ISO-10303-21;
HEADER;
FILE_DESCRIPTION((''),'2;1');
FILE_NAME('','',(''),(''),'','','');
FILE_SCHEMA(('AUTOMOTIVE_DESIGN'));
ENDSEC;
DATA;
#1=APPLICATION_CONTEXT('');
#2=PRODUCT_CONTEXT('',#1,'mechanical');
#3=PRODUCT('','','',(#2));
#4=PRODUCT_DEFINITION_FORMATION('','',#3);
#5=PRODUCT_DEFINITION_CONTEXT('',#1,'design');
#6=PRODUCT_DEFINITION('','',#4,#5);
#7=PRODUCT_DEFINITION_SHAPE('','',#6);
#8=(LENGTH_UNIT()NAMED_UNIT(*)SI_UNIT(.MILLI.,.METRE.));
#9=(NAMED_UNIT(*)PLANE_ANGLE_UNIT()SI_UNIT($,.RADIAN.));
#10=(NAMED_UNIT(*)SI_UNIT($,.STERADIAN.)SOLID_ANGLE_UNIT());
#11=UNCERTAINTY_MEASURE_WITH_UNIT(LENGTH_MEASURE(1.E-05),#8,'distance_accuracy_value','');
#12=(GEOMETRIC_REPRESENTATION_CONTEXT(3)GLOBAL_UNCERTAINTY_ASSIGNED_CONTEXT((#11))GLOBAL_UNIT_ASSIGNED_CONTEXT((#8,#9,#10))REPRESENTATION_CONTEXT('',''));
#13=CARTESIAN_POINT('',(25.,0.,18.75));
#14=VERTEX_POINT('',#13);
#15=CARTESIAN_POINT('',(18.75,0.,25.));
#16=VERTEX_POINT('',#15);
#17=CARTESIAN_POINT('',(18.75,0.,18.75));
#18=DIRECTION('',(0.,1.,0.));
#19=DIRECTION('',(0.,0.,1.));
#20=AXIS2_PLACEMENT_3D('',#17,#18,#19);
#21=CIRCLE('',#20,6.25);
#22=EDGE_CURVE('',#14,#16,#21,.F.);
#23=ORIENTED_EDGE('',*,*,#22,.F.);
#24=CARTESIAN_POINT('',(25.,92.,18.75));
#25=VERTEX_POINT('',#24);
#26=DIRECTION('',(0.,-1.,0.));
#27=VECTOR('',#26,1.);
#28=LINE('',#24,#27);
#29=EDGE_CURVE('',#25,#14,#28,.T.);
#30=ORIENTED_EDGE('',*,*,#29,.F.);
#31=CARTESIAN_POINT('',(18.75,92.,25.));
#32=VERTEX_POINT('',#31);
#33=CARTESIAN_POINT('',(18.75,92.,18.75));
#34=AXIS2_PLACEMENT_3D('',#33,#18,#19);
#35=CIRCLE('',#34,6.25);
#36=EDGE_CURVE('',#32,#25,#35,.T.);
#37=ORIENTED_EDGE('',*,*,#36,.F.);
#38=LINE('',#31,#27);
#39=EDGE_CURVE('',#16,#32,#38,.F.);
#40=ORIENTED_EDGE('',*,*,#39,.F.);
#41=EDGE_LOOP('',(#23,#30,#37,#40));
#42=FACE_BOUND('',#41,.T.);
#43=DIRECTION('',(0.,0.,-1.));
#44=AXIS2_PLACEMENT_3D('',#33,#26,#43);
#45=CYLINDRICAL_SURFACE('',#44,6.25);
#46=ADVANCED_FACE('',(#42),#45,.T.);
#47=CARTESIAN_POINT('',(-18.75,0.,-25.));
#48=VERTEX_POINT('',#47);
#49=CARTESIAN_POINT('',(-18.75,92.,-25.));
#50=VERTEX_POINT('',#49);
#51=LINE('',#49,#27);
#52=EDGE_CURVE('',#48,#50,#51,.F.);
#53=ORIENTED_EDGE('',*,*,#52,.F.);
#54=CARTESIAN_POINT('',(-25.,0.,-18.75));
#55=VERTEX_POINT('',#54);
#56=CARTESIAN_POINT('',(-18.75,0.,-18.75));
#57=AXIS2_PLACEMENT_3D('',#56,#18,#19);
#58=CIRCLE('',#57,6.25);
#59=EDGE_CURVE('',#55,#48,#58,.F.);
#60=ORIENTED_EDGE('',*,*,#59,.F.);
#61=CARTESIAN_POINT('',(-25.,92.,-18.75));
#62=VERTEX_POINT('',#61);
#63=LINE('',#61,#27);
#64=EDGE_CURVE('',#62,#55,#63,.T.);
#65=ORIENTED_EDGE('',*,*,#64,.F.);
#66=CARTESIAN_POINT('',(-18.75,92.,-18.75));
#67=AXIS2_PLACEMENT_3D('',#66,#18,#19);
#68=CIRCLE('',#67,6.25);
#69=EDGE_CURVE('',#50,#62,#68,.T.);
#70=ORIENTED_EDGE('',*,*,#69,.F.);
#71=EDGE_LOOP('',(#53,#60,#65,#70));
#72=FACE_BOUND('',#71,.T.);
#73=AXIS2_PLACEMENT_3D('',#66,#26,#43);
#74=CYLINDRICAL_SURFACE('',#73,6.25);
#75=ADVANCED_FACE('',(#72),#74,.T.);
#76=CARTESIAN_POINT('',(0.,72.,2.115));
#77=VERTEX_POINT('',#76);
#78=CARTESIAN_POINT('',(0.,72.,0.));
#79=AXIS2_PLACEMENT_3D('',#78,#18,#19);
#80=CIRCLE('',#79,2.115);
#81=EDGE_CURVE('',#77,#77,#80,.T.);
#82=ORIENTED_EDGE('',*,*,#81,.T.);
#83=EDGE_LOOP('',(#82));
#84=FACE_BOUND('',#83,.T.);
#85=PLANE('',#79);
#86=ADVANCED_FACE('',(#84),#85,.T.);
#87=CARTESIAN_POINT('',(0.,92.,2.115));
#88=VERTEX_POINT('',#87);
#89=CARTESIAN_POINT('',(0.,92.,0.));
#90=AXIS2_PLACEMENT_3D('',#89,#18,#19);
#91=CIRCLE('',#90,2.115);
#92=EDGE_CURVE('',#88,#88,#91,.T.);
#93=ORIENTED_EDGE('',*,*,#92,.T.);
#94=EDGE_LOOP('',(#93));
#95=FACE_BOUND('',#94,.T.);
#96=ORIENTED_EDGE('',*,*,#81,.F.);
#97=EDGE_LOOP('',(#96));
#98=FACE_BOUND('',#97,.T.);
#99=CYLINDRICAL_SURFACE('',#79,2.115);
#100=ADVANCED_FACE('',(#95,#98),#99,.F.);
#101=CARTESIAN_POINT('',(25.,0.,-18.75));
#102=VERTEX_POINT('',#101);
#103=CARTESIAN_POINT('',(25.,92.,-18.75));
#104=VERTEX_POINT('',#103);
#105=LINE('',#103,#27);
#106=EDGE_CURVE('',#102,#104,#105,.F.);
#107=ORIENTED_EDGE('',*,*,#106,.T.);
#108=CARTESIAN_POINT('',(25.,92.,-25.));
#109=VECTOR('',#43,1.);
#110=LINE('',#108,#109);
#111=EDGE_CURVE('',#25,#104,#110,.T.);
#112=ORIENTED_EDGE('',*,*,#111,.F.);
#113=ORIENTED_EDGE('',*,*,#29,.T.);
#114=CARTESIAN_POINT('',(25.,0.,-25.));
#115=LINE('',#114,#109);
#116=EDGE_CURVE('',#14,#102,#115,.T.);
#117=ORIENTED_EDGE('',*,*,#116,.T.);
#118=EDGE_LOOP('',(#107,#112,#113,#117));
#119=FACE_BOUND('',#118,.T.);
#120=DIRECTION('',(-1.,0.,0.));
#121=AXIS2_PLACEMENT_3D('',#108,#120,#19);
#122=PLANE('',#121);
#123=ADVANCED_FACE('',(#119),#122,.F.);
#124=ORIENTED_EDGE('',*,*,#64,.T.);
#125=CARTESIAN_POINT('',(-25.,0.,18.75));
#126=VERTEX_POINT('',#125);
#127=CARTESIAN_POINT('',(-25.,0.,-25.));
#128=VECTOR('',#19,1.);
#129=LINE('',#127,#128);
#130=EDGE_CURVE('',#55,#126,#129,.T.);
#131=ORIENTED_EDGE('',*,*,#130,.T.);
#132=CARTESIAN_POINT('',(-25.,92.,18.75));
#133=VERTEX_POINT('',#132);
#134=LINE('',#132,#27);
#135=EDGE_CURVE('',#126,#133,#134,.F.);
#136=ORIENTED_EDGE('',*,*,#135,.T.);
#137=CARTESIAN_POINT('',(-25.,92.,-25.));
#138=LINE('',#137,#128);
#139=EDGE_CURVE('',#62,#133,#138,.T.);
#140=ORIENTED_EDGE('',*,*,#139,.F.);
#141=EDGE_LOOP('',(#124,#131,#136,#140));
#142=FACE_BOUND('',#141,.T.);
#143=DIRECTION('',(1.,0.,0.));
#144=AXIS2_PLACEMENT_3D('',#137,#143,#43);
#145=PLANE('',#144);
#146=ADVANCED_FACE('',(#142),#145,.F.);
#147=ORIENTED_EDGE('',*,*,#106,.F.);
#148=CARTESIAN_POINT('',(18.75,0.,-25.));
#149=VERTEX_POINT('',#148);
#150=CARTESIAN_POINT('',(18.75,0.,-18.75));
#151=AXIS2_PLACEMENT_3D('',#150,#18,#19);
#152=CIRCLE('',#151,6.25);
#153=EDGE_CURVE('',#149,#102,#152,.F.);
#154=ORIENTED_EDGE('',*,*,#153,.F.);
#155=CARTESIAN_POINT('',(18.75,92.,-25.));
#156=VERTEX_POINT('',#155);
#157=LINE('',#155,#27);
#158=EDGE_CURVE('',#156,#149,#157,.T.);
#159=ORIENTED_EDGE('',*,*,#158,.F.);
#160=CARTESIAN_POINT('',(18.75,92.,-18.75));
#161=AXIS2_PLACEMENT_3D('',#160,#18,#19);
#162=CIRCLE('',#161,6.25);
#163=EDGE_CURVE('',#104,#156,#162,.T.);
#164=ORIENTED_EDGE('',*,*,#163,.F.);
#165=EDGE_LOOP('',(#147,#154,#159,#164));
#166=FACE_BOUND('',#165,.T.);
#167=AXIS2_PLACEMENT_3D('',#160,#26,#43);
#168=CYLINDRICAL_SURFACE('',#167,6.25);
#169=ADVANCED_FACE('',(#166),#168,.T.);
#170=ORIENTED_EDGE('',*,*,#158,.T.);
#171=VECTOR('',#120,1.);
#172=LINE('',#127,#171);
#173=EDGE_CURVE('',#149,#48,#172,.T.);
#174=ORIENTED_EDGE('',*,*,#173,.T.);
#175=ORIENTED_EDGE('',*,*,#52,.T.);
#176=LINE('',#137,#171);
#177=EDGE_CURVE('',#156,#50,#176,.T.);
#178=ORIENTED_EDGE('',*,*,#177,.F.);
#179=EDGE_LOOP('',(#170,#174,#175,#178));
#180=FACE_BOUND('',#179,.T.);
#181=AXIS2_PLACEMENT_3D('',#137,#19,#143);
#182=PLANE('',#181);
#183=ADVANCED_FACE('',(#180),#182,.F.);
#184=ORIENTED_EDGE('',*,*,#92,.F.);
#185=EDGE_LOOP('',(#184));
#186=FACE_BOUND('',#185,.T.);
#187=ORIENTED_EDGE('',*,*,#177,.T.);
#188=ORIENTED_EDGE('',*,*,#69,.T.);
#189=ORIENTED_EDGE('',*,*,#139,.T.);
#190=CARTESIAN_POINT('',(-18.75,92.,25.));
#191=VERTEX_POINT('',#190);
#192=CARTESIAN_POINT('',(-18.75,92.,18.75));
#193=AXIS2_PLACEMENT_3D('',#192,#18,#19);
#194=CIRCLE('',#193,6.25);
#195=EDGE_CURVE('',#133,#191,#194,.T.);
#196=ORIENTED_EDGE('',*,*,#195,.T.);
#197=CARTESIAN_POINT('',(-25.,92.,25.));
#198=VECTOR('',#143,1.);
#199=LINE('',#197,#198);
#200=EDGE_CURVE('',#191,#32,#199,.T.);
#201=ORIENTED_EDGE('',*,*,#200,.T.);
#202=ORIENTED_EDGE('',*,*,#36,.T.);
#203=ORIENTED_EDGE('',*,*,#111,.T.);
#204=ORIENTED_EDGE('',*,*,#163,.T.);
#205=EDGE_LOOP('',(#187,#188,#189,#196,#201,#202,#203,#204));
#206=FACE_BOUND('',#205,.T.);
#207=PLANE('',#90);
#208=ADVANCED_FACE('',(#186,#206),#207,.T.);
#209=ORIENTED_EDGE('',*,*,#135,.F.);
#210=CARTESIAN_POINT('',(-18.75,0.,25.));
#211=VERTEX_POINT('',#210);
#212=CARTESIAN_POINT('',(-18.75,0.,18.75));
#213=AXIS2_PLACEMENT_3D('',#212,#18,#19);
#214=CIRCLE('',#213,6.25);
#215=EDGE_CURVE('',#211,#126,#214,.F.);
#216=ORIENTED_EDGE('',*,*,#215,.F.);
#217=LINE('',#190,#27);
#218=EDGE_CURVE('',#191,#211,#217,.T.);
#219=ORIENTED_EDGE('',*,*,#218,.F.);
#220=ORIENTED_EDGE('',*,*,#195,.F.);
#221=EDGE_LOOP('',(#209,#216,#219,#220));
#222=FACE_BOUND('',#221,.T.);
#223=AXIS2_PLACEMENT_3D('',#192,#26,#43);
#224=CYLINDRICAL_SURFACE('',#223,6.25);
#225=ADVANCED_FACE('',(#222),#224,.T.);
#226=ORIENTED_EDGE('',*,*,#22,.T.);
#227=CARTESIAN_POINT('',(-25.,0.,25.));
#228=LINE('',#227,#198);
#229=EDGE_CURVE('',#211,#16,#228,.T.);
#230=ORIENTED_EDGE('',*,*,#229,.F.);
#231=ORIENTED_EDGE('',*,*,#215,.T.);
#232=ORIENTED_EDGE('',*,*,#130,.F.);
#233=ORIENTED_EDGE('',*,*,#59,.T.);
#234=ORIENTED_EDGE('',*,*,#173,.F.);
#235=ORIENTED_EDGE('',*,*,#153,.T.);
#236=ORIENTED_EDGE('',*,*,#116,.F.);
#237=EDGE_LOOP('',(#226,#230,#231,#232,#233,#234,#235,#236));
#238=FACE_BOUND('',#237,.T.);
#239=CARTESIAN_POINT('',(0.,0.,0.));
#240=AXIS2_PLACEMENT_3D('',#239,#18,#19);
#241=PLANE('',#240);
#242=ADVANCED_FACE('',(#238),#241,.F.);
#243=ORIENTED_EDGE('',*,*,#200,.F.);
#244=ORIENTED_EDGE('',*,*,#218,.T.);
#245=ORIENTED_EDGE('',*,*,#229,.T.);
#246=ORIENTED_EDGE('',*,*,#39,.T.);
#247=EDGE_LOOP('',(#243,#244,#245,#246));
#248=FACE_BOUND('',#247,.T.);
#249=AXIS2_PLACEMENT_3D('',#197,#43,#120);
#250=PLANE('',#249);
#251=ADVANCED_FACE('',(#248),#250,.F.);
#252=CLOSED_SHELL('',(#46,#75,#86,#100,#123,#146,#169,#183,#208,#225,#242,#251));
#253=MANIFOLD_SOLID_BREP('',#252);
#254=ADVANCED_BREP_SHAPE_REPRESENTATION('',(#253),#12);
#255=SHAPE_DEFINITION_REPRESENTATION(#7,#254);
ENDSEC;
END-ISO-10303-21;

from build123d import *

# Parameters (mm, degrees)
SKETCH1_W           = 50
SKETCH1_H           = 50
BOSS_EXTRUDE1_DEPTH = 92
SKETCH2_R           = 2.115
CUT_EXTRUDE1_DEPTH  = 20
FILLET1_R           = 6.25


with BuildPart() as part:
    # Sketch1 → Boss-Extrude1 (new body)
    with BuildSketch(Plane(origin=(0, 0, 0), x_dir=(1, 0, 0), z_dir=(0, 1, 0))):
        Rectangle(SKETCH1_W, SKETCH1_H)
    extrude(amount=BOSS_EXTRUDE1_DEPTH)

    # Sketch2 → Cut-Extrude1 (cut)
    with BuildSketch(Plane(origin=(0, 92, 0), x_dir=(1, 0, 0), z_dir=(0, 1, 0))):
        with Locations(Location((0, 0, 0), (0, 0, 270))):
            Circle(SKETCH2_R)
    extrude(amount=-CUT_EXTRUDE1_DEPTH, mode=Mode.SUBTRACT)

    # Fillet1
    fillet1_edges = [part.edges().sort_by_distance(p)[0] for p in [
        (-25, 46, -25),
        (25, 46, -25),
        (25, 46, 25),
        (-25, 46, 25),
    ]]
    fillet(fillet1_edges, radius=FILLET1_R)


solid = part.part
